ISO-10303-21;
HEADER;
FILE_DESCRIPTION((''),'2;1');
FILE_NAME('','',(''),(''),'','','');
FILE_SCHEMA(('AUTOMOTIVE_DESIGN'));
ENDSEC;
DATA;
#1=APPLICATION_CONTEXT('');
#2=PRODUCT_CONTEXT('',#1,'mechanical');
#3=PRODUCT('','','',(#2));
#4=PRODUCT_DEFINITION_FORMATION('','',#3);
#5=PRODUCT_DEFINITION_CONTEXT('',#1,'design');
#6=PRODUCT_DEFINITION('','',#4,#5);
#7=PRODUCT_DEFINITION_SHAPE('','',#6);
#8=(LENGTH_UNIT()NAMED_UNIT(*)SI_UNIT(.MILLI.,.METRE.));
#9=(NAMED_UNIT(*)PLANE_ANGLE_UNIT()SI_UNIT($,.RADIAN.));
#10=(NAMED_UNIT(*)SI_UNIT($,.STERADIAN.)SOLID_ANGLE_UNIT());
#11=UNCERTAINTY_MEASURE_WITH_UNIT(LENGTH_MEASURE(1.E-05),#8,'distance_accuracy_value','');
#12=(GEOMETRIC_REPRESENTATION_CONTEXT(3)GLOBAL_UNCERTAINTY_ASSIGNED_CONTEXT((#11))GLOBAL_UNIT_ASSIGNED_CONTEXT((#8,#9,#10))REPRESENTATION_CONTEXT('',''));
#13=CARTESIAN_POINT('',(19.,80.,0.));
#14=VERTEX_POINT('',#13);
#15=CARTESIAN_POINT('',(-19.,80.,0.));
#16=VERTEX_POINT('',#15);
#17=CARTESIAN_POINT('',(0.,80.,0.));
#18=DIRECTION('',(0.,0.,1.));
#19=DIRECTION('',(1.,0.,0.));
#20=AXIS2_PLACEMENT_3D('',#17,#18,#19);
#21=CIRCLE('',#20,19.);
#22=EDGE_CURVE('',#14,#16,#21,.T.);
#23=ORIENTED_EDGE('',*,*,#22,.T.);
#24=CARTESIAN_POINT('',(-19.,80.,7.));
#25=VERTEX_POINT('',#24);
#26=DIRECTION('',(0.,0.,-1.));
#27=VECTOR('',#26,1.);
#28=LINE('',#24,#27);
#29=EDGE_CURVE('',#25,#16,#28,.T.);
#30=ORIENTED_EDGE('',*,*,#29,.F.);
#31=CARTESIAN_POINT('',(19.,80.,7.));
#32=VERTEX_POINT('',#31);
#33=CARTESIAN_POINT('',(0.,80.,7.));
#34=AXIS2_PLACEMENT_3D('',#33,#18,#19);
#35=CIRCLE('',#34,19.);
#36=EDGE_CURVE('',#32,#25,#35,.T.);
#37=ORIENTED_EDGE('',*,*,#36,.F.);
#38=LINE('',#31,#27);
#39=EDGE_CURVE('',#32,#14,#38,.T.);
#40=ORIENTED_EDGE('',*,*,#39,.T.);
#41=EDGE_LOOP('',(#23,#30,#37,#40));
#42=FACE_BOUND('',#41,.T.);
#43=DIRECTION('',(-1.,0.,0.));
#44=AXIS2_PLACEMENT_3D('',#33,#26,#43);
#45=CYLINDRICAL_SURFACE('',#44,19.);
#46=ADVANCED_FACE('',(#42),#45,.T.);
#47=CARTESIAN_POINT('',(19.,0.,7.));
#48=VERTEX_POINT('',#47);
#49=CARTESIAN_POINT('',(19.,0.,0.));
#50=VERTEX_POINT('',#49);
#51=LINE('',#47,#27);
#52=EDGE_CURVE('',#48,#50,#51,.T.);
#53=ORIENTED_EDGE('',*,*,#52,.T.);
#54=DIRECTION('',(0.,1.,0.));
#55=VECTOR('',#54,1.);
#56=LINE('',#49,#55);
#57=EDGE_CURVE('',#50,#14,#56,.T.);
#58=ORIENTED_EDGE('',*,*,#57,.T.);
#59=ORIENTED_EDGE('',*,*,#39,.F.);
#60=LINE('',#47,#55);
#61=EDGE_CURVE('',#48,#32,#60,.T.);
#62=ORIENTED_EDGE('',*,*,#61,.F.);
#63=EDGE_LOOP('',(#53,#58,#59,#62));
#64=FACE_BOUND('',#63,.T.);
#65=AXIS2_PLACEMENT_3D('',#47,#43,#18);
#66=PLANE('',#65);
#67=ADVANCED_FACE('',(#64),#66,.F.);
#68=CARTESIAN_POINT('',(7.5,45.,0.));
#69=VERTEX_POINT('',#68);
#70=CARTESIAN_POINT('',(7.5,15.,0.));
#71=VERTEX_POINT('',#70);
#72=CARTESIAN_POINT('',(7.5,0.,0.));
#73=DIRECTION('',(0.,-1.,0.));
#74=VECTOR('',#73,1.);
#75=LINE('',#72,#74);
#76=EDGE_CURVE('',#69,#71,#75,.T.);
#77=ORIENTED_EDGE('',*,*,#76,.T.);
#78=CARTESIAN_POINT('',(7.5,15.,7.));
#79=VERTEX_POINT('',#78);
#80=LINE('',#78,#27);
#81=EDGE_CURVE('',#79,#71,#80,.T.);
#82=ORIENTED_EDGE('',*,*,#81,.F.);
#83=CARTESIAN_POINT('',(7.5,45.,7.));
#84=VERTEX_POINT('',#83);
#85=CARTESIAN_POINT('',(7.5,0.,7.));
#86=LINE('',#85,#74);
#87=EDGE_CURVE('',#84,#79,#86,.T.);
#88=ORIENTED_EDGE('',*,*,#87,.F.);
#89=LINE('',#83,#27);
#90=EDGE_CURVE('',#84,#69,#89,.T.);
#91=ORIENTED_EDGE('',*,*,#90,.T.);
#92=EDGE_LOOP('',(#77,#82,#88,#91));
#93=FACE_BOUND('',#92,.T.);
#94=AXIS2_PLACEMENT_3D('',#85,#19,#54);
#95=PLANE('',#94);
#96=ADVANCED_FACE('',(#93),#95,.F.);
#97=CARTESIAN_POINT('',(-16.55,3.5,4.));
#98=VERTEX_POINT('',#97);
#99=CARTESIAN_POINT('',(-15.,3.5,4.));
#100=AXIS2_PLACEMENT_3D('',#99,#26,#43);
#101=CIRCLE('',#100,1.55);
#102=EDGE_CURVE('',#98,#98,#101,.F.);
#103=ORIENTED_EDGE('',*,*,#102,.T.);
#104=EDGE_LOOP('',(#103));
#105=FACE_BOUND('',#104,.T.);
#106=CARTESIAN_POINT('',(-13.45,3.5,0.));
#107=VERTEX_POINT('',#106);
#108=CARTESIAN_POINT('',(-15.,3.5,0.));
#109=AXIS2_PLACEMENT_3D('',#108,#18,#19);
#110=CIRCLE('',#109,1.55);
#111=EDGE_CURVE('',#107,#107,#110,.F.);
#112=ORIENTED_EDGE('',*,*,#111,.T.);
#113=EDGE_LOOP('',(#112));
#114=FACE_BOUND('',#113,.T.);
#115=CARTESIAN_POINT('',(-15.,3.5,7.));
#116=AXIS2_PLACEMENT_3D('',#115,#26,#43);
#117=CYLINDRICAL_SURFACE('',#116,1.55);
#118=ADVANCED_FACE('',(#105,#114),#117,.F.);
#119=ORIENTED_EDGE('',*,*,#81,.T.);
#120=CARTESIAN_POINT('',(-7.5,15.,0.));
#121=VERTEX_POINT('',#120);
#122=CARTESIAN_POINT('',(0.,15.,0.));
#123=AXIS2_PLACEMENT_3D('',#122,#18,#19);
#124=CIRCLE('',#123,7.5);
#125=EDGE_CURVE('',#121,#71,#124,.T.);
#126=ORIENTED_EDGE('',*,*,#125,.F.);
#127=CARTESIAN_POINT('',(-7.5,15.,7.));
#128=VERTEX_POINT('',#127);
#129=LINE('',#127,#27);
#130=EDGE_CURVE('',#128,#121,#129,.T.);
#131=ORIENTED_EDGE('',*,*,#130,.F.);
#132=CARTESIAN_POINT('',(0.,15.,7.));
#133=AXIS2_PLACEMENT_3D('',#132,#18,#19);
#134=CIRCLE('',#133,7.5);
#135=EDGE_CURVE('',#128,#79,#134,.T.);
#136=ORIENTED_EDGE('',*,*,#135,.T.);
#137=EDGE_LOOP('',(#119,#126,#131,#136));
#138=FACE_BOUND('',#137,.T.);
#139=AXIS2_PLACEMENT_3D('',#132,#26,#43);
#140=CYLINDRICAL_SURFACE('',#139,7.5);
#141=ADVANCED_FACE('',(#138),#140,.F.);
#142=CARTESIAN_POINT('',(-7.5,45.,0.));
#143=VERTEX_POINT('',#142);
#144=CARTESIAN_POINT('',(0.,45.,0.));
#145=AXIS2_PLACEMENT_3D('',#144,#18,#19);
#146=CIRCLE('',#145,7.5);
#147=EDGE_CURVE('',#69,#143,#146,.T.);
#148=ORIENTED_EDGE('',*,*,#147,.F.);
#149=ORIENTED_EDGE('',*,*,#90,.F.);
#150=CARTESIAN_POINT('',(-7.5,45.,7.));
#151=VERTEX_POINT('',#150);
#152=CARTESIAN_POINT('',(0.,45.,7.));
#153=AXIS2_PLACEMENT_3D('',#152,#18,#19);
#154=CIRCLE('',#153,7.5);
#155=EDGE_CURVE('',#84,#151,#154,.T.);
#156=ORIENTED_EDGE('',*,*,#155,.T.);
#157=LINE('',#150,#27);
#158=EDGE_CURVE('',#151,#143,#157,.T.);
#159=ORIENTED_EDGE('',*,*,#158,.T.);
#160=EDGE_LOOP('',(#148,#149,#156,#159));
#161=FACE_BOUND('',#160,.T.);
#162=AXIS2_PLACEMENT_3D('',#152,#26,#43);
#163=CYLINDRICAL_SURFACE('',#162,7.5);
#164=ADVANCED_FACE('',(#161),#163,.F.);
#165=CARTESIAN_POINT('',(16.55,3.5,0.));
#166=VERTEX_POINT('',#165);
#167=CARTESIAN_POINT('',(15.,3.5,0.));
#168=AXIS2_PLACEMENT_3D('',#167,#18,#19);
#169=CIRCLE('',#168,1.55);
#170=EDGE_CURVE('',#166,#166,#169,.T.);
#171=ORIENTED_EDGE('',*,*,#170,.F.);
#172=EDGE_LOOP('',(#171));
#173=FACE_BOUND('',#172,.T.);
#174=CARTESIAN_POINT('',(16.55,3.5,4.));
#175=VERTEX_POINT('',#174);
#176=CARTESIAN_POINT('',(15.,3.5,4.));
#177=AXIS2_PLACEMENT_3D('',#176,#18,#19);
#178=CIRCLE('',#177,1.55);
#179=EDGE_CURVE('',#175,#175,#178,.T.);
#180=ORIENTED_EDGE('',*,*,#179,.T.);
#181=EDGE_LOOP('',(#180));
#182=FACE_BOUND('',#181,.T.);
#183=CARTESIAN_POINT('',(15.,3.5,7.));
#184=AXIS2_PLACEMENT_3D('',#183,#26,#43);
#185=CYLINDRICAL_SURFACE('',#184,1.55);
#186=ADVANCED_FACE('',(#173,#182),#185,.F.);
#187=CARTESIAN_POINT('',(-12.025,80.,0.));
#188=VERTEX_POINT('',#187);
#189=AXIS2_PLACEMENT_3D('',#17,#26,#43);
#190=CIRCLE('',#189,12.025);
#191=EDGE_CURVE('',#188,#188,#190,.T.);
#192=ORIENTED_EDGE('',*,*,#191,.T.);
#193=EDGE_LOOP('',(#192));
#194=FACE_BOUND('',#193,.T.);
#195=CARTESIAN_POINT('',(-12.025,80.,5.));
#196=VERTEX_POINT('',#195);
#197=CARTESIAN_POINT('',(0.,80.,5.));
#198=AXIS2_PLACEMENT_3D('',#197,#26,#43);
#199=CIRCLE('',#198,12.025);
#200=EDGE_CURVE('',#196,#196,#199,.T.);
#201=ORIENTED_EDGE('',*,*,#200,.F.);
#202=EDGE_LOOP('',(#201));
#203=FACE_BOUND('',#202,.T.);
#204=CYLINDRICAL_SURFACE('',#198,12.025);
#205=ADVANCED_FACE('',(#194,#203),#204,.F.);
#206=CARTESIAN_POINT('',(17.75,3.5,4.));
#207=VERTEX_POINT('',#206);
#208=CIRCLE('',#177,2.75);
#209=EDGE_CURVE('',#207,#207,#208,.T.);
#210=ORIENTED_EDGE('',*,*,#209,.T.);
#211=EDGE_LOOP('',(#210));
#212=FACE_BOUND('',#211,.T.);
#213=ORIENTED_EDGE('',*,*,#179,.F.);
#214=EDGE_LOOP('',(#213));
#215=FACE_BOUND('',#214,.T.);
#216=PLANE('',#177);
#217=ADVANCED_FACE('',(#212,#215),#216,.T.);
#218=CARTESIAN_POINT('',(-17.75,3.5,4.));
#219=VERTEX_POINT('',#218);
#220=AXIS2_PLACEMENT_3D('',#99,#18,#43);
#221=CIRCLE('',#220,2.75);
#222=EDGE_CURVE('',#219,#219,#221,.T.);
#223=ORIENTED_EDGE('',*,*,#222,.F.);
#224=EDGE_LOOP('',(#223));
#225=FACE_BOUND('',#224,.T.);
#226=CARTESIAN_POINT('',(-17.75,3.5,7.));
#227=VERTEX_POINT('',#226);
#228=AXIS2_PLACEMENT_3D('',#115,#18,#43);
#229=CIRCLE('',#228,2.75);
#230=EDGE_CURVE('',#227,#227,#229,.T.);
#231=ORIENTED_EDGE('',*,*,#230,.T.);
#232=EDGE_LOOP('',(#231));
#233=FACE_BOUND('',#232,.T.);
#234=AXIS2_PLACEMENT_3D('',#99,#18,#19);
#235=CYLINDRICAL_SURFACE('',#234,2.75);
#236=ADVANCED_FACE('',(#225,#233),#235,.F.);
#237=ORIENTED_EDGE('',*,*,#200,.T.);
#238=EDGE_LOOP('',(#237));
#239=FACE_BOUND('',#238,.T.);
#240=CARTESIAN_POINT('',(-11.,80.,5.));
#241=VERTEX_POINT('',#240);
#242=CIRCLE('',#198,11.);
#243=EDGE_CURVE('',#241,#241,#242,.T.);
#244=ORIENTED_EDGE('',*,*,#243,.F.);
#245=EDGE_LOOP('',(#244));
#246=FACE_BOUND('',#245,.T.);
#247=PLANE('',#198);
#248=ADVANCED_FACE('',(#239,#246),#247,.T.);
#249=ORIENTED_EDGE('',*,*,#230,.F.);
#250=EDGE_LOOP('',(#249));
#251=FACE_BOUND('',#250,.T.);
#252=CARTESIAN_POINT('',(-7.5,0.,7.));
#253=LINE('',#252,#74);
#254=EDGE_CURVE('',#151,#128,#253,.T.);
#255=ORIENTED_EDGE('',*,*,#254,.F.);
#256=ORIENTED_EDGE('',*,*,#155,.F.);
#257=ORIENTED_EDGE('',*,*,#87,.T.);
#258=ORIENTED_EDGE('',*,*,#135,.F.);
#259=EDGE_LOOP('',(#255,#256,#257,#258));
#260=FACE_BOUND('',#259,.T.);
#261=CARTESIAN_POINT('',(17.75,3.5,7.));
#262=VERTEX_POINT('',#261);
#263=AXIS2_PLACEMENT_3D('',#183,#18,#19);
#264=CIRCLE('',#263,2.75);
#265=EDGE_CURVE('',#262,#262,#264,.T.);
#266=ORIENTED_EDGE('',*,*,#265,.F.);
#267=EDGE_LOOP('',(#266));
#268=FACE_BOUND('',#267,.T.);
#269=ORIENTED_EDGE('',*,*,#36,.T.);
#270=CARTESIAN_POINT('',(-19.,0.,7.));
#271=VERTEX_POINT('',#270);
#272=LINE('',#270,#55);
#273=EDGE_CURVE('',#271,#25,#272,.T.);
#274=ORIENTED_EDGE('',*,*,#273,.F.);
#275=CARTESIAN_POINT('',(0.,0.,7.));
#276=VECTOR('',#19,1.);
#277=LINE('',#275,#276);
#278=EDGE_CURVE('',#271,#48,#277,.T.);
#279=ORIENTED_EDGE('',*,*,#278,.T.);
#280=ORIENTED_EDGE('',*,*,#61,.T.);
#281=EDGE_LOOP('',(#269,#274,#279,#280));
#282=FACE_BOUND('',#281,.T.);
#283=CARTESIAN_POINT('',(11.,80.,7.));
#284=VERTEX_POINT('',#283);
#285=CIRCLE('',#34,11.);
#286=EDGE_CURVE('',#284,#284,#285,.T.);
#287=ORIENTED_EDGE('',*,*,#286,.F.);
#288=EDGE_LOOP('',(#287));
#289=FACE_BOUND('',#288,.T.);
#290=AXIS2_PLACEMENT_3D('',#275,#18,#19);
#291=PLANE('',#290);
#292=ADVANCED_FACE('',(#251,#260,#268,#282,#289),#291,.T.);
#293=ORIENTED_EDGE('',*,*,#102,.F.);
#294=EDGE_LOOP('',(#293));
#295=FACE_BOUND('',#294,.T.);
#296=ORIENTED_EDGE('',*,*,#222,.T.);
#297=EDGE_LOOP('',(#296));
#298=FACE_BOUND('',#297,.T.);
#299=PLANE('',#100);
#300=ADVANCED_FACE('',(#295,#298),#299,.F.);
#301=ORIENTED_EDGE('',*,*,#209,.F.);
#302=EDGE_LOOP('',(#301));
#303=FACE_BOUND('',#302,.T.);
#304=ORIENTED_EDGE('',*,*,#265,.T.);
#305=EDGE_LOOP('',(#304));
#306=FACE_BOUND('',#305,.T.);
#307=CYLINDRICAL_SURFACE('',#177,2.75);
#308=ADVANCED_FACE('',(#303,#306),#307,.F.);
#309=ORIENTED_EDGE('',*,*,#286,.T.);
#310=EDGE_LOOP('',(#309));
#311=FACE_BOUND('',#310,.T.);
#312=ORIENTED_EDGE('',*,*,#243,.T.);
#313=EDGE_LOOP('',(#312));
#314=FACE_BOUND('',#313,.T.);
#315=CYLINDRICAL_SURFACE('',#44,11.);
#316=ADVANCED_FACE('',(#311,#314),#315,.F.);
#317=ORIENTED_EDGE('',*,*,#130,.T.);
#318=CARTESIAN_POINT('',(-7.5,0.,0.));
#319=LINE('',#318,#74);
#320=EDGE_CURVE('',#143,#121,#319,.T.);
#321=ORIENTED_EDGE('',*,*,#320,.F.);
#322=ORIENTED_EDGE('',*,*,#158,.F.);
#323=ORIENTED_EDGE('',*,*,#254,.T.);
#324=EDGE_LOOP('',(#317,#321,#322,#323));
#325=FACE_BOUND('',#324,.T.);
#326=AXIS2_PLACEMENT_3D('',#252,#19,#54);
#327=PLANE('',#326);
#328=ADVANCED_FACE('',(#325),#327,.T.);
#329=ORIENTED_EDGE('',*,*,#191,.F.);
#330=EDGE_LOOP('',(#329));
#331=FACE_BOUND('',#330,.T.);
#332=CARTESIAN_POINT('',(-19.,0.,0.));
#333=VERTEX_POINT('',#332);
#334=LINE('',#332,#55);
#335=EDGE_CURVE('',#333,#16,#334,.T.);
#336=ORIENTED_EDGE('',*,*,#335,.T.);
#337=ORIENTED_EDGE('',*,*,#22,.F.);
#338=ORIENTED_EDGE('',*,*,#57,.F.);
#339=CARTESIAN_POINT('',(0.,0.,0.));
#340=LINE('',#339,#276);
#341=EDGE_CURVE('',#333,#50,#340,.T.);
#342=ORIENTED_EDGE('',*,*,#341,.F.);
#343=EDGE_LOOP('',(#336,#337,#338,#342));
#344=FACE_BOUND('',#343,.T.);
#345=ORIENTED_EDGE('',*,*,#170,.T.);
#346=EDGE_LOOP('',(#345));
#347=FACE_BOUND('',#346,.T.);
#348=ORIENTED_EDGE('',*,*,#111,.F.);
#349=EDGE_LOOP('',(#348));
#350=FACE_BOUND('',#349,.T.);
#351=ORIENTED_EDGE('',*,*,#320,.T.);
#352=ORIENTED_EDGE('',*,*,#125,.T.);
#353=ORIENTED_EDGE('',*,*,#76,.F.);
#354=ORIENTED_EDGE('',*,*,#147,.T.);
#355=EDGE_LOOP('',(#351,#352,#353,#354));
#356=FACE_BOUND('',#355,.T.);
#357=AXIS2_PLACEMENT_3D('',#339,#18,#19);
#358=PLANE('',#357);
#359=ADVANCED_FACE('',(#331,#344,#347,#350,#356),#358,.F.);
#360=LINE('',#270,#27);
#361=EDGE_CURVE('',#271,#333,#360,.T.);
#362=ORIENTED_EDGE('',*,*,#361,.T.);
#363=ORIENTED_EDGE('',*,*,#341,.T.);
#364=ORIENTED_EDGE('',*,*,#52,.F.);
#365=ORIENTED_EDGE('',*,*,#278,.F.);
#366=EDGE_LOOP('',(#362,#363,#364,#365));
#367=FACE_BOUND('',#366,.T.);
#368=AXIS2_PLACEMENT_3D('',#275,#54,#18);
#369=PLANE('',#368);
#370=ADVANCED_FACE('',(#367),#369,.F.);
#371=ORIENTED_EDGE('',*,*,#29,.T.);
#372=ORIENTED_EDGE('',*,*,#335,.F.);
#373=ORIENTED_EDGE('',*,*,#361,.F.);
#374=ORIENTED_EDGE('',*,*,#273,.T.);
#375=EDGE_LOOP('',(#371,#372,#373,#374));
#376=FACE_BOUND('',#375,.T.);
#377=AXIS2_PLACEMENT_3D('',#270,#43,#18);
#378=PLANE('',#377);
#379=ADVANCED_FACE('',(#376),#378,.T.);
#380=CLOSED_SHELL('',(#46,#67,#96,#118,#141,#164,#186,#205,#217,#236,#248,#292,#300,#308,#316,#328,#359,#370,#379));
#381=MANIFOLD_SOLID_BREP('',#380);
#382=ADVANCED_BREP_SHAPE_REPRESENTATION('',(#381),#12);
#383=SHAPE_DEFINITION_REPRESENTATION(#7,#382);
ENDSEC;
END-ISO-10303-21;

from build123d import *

# Parameters (mm, degrees)
SKETCH_1_R         = 11
SKETCH_1_R_2       = 1.55
SKETCH_1_R_3       = 19
EXTRUDE_1_DEPTH    = 7
SKETCH1_R          = 2.75
CUT_EXTRUDE1_DEPTH = 3
SKETCH2_R          = 12.025
CUT_EXTRUDE2_DEPTH = 5


with BuildPart() as part:
    # 草图1 → 凸台-拉伸1 (new body)
    # profile 1 of 3: a face of its own
    with BuildSketch(Plane.XY):
        with BuildLine():
            ThreePointArc((19, 80), (0, 99), (-19, 80))
            ThreePointArc((-19, 80), (0, 61), (19, 80))
        make_face()
        with Locations((0, 80)):
            Circle(SKETCH_1_R, mode=Mode.SUBTRACT)
    # profile 2 of 3: a face of its own
    with BuildSketch(Plane.XY):
        with BuildLine():
            Line((-19, 7), (-19, 0))
            Line((-19, 0), (19, 0))
            Line((19, 0), (19, 7))
            Line((19, 7), (19, 80))
            ThreePointArc((19, 80), (0, 61), (-19, 80))
            Line((-19, 80), (-19, 7))
        make_face()
        with Locations((-15, 3.5)):
            Circle(SKETCH_1_R_2, mode=Mode.SUBTRACT)
        with BuildLine():
            ThreePointArc((-7.5, 45), (0, 52.5), (7.5, 45))
            Line((7.5, 45), (7.5, 15))
            ThreePointArc((7.5, 15), (0, 7.5), (-7.5, 15))
            Line((-7.5, 15), (-7.5, 45))
        make_face(mode=Mode.SUBTRACT)
        with Locations((15, 3.5)):
            Circle(SKETCH_1_R_2, mode=Mode.SUBTRACT)
    # profile 3 of 3: a face of its own
    with BuildSketch(Plane.XY):
        with Locations((0, 80)):
            Circle(SKETCH_1_R_3)
        with Locations((0, 80)):
            Circle(SKETCH_1_R, mode=Mode.SUBTRACT)
    extrude(amount=EXTRUDE_1_DEPTH)

    # Sketch1 → Cut-Extrude1 (cut)
    with BuildSketch(Plane.XY.offset(7)):
        with Locations((15, 3.5)):
            Circle(SKETCH1_R)
        with Locations(Location((-15, 3.5, 0), (0, 0, 180))):
            Circle(SKETCH1_R)
    extrude(amount=-CUT_EXTRUDE1_DEPTH, mode=Mode.SUBTRACT)

    # Sketch2 → Cut-Extrude2 (cut)
    with BuildSketch(Plane(origin=(0, 0, 0), x_dir=(-1, 0, 0), z_dir=(0, 0, -1))):
        with Locations((0, 80)):
            Circle(SKETCH2_R)
    extrude(amount=-CUT_EXTRUDE2_DEPTH, mode=Mode.SUBTRACT)


solid = part.part
